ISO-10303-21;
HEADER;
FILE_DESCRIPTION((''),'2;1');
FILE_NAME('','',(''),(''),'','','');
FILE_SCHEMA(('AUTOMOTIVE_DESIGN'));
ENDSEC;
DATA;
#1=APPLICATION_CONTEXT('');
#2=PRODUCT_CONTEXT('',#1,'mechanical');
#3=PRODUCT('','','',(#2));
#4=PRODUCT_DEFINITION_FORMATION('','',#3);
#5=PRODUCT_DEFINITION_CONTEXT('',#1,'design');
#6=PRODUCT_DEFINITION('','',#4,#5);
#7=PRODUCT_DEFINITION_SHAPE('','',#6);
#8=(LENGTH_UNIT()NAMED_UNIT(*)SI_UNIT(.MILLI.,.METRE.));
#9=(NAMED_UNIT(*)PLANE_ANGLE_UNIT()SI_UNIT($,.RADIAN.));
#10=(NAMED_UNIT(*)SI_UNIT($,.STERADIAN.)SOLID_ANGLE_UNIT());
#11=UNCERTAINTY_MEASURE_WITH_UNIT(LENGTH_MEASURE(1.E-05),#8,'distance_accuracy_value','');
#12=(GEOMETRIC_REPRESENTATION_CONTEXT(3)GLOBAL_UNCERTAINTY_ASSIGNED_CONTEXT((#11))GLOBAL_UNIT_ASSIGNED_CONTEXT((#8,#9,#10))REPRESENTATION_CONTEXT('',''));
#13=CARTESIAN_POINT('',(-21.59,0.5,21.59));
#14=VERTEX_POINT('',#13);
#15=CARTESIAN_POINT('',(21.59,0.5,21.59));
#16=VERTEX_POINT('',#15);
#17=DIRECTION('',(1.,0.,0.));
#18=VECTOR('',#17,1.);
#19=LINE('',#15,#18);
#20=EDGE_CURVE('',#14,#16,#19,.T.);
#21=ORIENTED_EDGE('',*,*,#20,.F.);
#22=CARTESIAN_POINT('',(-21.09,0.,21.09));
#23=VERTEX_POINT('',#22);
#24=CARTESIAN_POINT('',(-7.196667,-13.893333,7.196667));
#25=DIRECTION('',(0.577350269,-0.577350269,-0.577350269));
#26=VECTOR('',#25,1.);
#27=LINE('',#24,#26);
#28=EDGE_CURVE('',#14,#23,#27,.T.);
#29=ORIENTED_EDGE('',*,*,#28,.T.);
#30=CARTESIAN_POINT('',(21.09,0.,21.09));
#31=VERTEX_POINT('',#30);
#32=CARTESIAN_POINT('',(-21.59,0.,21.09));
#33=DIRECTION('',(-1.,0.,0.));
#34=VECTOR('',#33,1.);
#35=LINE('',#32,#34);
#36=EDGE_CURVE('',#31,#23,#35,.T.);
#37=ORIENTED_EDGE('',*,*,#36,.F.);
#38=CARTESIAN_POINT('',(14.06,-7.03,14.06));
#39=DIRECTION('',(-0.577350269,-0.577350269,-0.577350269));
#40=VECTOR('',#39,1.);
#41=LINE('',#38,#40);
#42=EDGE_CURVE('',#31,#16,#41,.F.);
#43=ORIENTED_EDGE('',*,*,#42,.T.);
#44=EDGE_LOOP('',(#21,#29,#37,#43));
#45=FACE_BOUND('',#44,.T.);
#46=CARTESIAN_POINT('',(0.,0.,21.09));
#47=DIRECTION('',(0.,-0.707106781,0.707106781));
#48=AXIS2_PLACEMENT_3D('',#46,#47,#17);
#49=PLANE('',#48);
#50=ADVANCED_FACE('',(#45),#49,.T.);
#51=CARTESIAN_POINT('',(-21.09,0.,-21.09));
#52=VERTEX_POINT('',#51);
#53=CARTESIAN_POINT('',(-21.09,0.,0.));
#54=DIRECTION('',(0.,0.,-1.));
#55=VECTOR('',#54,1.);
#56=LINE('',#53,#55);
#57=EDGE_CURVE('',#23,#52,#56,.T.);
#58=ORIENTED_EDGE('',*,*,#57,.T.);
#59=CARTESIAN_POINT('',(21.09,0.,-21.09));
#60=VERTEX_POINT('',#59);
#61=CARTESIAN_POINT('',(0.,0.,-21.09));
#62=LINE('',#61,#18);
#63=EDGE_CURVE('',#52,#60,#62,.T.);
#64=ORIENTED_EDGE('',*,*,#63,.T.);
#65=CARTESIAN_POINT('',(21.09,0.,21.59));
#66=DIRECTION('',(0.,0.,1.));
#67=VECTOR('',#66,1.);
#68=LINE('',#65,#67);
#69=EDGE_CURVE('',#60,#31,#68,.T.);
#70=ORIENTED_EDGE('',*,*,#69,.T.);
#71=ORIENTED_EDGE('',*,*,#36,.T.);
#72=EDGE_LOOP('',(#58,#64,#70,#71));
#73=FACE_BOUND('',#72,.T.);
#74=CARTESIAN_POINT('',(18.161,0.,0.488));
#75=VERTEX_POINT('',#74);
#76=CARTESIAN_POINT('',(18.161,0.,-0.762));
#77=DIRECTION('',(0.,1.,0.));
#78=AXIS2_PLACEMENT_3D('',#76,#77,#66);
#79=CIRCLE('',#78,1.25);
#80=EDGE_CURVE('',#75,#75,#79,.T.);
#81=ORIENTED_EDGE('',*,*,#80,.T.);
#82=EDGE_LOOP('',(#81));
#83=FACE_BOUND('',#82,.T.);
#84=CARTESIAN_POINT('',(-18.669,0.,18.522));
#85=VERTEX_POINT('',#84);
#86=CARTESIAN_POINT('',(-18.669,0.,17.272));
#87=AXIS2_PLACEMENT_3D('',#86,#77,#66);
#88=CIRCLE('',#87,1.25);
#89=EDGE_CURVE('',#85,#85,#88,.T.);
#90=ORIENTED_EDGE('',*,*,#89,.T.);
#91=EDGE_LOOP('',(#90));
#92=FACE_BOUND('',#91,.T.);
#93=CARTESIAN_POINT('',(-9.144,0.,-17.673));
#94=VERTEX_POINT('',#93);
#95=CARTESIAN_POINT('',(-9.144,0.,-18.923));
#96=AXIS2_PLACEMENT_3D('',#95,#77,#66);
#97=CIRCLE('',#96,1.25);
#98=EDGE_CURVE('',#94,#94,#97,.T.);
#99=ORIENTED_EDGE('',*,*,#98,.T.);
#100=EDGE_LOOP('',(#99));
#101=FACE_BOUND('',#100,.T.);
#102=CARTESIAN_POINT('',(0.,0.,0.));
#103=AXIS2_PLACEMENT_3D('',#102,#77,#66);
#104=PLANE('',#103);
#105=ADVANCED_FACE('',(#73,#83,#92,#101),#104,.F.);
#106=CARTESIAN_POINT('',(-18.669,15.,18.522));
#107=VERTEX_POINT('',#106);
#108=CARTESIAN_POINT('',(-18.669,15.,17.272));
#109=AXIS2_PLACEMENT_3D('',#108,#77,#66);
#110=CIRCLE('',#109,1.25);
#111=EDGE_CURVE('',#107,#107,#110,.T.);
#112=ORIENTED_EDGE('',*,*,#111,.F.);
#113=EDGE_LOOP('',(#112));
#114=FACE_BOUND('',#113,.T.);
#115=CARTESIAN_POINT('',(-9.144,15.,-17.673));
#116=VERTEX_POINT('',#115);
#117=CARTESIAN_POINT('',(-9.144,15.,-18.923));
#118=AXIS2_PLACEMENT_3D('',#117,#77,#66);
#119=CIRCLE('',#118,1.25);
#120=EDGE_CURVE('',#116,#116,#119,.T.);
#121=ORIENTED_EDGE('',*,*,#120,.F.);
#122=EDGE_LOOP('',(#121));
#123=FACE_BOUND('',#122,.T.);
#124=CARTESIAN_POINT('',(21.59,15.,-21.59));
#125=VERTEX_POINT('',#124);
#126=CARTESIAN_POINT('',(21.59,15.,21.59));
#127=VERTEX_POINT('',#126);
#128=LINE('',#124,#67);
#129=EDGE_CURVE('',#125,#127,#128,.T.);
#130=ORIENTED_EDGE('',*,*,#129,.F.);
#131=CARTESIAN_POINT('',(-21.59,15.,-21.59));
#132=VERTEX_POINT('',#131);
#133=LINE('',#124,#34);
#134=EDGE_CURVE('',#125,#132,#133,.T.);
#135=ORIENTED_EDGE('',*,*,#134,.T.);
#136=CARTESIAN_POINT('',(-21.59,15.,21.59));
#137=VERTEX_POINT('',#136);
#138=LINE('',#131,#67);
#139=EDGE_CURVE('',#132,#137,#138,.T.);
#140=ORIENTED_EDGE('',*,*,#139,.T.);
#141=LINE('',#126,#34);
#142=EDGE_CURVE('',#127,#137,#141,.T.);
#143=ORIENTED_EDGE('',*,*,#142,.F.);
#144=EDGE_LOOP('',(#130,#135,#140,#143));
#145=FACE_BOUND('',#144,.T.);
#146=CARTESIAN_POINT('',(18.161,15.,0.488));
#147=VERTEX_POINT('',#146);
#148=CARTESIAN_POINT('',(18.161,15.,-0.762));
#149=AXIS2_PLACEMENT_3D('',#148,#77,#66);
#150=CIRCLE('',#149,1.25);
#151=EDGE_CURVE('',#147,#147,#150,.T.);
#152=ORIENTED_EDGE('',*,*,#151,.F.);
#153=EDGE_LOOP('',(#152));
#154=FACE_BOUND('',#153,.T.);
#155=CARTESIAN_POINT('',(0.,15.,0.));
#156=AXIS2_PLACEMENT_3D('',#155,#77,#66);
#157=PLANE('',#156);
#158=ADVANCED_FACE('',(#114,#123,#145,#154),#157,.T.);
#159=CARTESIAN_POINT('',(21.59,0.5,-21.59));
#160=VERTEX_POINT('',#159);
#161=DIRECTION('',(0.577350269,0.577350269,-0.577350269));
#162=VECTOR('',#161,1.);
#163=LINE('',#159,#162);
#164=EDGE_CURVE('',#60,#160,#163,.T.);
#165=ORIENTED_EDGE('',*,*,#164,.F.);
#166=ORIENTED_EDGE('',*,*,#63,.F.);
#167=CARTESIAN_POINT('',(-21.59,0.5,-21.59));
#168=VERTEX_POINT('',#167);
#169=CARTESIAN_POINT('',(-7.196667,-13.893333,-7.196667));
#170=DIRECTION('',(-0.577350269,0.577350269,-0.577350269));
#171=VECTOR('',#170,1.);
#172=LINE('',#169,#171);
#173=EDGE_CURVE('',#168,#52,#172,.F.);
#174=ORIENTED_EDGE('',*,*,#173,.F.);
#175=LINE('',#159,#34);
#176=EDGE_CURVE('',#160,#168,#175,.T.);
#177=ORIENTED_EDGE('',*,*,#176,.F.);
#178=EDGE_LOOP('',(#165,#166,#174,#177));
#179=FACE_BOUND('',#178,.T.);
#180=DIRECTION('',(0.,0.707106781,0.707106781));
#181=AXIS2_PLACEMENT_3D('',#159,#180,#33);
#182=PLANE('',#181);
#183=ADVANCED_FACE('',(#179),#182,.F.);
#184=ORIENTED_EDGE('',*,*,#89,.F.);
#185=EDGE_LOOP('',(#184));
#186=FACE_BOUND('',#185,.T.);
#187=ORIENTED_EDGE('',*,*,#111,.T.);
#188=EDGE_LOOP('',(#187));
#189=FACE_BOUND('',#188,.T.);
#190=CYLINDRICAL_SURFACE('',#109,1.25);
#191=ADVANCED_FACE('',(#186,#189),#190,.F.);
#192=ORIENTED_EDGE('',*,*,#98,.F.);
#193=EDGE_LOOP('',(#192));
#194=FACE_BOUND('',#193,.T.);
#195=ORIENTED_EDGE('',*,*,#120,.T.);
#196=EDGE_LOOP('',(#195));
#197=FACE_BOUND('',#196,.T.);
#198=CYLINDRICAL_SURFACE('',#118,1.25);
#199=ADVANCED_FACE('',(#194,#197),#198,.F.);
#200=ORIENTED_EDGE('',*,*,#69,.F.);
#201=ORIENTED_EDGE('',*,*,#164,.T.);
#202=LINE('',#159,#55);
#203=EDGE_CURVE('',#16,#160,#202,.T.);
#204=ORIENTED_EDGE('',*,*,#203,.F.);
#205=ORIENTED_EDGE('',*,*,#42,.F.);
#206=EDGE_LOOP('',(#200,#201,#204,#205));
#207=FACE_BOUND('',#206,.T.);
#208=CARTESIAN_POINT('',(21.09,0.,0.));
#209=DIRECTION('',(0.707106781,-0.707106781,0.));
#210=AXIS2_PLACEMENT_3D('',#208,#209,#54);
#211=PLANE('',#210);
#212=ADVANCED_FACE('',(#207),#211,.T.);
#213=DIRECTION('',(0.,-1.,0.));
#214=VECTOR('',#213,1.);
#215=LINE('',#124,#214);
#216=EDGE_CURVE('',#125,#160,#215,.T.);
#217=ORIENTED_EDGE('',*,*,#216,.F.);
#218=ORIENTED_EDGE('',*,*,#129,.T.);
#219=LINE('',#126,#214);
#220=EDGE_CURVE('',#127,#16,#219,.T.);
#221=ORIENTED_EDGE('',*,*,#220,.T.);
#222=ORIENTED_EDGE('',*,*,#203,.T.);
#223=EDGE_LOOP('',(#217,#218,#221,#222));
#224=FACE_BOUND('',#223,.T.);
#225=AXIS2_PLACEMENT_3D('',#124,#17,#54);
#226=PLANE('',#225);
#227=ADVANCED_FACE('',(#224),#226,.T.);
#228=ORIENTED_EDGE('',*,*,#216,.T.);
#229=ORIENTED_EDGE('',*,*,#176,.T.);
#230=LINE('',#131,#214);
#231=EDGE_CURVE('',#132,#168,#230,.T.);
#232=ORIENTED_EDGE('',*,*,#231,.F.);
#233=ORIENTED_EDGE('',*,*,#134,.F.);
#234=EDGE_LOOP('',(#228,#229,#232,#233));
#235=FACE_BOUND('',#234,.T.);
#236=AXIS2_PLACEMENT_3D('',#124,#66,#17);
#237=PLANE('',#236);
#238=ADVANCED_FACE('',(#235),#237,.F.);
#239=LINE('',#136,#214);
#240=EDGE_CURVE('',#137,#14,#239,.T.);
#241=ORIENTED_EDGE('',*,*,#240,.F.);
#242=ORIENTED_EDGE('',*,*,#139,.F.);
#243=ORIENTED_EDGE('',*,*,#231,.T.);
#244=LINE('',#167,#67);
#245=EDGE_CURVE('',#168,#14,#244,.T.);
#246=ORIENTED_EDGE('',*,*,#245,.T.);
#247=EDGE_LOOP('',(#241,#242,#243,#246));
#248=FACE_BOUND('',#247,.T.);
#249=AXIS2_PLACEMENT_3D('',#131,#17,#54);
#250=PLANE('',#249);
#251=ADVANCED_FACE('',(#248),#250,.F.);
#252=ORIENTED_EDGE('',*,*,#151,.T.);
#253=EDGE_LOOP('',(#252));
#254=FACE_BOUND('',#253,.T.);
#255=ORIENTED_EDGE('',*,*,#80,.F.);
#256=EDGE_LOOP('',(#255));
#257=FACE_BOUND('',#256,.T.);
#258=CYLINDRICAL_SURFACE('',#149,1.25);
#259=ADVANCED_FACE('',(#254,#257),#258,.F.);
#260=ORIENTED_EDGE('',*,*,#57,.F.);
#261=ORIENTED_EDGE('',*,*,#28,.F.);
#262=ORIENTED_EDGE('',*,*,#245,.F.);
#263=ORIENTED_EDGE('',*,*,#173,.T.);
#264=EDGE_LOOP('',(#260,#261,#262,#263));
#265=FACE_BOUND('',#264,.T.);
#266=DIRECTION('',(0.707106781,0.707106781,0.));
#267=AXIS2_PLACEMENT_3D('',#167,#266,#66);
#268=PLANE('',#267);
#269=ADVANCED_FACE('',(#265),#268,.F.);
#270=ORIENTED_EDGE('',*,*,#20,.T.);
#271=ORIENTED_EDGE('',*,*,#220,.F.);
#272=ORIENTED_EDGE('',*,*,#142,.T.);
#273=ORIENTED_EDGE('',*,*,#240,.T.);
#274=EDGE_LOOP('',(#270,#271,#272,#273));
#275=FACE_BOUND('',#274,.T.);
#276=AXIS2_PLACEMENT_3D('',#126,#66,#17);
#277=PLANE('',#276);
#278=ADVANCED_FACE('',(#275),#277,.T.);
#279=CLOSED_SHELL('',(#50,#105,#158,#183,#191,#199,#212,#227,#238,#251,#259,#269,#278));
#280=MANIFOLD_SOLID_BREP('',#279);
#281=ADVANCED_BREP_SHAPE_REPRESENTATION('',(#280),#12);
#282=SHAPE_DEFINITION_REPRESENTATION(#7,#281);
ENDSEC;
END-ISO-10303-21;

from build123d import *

# Parameters (mm, degrees)
SKETCH1_W             = 43.18
SKETCH1_H             = 43.18
BOSS_EXTRUDE1_DEPTH   = 15
M3X0_5_TAPPED_HOLE1_D = 2.5
CHAMFER1_SIZE         = 0.5


with BuildPart() as part:
    # Sketch1 → Boss-Extrude1 (new body)
    with BuildSketch(Plane(origin=(0, 0, 0), x_dir=(1, 0, 0), z_dir=(0, 1, 0))):
        Rectangle(SKETCH1_W, SKETCH1_H)
    extrude(amount=BOSS_EXTRUDE1_DEPTH)

    # M3x0.5 Tapped Hole1 (through all)
    with Locations(Plane(origin=(0, 15, 0), x_dir=(1, 0, 0), z_dir=(0, 1, 0))):
        with Locations((-18.669, -17.272), (-9.144, 18.923), (18.161, 0.762)):
            Hole(M3X0_5_TAPPED_HOLE1_D / 2)

    # Chamfer1
    chamfer1_edges = [part.edges().sort_by_distance(p)[0] for p in [
        (21.59, 0, 0),
        (0, 0, 21.59),
        (-21.59, 0, 0),
        (0, 0, -21.59),
    ]]
    chamfer(chamfer1_edges, length=CHAMFER1_SIZE)


solid = part.part
